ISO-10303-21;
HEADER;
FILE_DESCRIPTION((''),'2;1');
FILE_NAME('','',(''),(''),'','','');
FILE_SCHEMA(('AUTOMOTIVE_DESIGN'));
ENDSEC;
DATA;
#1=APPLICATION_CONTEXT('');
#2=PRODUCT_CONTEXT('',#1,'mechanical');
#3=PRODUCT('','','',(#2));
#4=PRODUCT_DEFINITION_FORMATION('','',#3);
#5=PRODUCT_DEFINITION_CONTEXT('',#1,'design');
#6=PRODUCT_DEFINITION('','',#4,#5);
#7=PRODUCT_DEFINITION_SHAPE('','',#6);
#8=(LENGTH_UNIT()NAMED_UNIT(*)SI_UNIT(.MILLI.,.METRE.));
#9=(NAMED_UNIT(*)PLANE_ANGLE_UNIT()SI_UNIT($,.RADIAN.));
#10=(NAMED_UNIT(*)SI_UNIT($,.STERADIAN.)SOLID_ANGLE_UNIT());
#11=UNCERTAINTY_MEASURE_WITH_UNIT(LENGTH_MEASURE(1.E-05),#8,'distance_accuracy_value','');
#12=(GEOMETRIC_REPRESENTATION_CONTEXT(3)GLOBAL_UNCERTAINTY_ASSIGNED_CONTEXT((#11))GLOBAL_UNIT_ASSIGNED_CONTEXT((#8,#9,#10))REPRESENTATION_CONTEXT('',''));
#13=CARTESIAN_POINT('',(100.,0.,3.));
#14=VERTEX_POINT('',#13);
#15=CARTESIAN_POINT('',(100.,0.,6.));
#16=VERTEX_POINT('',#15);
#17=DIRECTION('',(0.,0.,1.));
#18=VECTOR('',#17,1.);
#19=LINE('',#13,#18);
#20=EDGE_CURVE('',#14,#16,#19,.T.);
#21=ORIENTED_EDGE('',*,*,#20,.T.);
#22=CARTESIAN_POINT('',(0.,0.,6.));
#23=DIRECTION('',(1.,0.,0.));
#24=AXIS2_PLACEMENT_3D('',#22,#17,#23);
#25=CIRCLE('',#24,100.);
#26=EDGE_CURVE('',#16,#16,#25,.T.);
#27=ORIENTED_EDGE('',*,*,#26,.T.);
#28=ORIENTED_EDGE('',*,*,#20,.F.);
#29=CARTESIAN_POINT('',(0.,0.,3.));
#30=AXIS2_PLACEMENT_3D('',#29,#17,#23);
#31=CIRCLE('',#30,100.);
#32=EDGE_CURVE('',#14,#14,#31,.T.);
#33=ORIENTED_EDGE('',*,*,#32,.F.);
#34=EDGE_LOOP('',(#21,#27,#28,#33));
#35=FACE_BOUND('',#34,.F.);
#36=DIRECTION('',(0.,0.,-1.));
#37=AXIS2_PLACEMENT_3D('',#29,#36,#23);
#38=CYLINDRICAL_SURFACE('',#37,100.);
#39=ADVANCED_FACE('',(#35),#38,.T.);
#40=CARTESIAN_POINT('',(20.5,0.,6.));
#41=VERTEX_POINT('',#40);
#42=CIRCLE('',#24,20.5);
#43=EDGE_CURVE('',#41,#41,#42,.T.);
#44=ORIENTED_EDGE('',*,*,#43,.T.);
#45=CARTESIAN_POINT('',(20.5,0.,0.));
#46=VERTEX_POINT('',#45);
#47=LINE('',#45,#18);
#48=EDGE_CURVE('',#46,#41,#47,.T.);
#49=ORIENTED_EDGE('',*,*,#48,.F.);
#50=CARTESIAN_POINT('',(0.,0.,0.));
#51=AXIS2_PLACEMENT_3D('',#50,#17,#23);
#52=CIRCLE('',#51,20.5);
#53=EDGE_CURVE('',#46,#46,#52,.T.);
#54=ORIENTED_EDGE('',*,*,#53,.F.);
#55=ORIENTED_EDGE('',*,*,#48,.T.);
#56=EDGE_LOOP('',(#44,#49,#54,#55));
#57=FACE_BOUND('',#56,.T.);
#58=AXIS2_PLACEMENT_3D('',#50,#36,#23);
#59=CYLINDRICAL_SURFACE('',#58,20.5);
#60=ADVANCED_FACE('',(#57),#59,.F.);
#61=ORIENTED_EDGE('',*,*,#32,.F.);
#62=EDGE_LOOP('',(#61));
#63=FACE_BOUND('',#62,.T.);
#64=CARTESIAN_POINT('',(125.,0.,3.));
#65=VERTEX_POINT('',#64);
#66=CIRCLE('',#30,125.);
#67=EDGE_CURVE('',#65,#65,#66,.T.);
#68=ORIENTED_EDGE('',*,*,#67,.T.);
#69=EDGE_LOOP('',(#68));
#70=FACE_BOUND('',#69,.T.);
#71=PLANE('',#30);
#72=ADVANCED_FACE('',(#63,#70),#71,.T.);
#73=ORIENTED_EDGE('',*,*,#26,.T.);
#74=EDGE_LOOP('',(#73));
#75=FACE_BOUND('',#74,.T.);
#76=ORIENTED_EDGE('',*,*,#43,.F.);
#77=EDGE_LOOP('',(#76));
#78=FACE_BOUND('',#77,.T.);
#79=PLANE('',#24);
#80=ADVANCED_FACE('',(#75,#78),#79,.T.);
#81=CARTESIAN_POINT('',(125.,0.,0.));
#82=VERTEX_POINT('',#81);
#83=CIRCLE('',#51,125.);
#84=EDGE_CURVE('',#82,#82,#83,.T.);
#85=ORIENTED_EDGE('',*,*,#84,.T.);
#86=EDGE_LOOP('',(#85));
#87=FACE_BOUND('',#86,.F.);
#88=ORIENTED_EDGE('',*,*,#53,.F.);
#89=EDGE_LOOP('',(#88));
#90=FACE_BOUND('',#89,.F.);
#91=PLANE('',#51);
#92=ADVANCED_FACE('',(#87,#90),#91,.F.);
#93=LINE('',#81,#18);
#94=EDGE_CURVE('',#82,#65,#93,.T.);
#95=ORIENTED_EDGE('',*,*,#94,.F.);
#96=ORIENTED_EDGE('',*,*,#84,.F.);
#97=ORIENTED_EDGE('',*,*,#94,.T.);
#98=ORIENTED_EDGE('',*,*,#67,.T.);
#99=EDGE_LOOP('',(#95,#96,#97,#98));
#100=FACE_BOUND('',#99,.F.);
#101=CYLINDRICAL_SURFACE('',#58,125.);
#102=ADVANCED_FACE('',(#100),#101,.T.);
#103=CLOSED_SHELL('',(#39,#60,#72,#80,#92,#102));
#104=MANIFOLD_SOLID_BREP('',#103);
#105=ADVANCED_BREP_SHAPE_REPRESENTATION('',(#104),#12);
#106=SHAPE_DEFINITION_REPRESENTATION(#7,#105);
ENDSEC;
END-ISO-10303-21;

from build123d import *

# Parameters (mm, degrees)
F0_R        = 100
F0_R_2      = 20.5
F1_DEPTH    = 3
F2_R        = 125
F2_R_2      = 45
F1_FACE_R   = 100
F1_FACE_R_2 = 20.5
F3_DEPTH    = 3


with BuildPart() as f1:
    # F0 (on Top) → F1 (new body)
    with BuildSketch(Plane.XY):
        Circle(F0_R)
        Circle(F0_R_2, mode=Mode.SUBTRACT)
    extrude(amount=F1_DEPTH)

    # F2 (on Top) + F1_face (on face) → F3 (join)
    with BuildSketch(Plane.XY):
        Circle(F2_R)
        Circle(F2_R_2, mode=Mode.SUBTRACT)
    with BuildSketch(Plane.XY.offset(3)):
        Circle(F1_FACE_R)
        Circle(F1_FACE_R_2, mode=Mode.SUBTRACT)
    extrude(amount=F3_DEPTH)


solid = f1.part
